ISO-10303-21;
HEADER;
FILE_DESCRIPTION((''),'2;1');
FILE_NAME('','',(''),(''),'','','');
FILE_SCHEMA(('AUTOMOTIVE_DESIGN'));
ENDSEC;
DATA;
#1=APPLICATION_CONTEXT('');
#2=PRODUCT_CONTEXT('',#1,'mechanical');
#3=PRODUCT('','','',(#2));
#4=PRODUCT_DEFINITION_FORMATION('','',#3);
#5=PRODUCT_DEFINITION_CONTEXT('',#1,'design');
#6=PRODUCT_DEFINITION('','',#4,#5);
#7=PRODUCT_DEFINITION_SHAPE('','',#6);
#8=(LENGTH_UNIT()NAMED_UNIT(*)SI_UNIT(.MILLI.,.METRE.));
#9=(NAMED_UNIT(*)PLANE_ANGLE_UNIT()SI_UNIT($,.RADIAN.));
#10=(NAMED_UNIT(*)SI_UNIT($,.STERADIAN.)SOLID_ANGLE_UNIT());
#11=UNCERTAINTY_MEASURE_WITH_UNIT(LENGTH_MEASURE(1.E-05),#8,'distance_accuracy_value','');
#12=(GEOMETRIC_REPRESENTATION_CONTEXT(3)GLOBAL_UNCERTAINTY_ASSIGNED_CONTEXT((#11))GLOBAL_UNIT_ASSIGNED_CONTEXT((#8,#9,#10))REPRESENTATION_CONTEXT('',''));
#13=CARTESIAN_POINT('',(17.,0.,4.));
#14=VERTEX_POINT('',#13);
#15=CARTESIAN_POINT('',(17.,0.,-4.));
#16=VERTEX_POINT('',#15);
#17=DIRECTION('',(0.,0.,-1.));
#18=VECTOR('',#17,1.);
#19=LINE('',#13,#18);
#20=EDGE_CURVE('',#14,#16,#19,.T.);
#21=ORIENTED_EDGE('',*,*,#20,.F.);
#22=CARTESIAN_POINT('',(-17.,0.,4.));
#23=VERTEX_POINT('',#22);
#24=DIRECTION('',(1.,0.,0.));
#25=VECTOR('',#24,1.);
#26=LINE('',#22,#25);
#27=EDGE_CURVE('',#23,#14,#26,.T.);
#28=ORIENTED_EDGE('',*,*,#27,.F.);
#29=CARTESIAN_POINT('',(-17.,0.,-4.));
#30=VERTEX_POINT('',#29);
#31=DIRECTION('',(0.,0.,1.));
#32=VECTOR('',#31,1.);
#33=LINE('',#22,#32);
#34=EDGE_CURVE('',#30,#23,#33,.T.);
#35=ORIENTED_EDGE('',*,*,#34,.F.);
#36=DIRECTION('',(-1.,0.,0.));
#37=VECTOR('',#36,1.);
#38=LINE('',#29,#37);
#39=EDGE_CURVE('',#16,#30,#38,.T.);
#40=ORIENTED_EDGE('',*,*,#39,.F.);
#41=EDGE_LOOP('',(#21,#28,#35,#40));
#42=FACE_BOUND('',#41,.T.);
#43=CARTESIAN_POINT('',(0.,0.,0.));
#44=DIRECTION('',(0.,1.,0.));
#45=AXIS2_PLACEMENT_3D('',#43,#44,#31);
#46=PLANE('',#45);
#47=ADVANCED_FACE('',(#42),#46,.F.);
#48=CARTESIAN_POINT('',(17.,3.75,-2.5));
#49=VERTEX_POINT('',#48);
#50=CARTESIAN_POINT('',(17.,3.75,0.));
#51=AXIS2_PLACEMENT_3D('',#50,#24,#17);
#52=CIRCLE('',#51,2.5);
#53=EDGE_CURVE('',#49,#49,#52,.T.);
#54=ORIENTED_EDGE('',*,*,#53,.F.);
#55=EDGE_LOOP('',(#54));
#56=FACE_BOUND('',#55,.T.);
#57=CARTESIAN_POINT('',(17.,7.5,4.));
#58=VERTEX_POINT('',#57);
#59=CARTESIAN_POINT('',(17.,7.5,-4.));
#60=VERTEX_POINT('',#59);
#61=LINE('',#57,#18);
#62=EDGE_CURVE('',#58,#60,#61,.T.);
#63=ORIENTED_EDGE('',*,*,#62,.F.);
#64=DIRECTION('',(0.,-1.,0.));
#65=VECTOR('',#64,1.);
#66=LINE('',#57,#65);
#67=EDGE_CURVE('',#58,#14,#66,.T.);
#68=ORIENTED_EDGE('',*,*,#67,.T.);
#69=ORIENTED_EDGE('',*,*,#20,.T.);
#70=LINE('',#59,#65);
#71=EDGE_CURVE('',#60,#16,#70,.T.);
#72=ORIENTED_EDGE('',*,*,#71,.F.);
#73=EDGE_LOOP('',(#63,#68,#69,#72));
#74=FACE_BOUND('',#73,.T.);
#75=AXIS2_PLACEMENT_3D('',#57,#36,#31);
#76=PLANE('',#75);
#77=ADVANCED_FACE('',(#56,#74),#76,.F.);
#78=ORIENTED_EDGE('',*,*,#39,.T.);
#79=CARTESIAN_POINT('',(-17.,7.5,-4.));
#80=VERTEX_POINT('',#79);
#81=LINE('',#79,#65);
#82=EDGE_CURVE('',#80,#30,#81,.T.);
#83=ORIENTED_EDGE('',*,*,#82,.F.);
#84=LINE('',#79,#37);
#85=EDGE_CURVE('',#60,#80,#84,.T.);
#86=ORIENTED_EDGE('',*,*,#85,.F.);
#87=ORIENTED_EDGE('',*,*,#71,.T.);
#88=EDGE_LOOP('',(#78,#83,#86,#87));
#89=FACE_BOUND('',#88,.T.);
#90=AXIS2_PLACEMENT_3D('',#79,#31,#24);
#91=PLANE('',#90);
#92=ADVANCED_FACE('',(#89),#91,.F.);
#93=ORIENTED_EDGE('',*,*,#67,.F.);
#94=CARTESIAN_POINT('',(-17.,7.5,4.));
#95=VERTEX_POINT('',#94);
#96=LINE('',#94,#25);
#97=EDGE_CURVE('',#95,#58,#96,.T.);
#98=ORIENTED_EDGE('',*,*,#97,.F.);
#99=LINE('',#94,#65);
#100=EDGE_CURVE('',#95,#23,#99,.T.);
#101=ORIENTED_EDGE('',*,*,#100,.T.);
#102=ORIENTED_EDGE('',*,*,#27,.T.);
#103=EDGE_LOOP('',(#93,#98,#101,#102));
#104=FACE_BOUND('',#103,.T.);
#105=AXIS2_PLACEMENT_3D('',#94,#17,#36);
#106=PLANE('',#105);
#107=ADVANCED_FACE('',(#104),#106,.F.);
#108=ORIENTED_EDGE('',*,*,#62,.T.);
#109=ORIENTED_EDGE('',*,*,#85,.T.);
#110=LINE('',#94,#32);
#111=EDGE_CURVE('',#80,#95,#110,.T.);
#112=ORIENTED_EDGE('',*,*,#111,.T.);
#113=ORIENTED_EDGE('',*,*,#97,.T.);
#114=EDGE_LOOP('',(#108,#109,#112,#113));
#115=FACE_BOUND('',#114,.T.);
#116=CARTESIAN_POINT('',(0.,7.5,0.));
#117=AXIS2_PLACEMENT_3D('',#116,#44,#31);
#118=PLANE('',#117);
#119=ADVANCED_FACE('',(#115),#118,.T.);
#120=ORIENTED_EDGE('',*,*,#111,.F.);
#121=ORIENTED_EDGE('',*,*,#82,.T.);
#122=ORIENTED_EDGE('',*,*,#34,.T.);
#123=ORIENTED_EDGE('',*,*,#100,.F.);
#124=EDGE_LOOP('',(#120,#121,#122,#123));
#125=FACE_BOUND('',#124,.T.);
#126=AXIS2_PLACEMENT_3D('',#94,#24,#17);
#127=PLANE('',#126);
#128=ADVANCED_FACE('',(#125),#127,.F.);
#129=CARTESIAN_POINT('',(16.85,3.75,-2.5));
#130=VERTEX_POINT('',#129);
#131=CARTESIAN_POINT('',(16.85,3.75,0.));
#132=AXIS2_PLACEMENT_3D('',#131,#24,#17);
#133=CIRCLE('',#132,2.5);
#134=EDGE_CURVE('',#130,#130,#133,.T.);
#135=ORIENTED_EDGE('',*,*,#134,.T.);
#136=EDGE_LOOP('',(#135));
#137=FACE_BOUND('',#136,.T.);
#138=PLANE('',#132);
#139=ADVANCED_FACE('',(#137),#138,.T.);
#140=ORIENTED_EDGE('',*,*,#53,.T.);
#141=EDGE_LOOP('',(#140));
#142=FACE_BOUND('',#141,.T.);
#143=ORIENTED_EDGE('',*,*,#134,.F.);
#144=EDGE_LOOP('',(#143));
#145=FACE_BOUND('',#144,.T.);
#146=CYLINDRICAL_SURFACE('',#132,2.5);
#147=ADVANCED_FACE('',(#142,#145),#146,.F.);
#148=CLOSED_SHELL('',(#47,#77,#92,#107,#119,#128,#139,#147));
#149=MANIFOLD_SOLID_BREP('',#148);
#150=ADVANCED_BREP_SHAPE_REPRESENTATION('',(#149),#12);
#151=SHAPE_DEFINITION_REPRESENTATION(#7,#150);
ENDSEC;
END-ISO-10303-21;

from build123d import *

# Parameters (mm, degrees)
CROQUIS1_W              = 34
CROQUIS1_H              = 8
SALIENTE_EXTRUIR1_DEPTH = 7.5
CROQUIS2_R              = 2.5
CORTAR_EXTRUIR1_DEPTH   = 0.15


with BuildPart() as part:
    # Croquis1 → Saliente-Extruir1 (new body)
    with BuildSketch(Plane(origin=(0, 0, 0), x_dir=(1, 0, 0), z_dir=(0, 1, 0))):
        Rectangle(CROQUIS1_W, CROQUIS1_H)
    extrude(amount=SALIENTE_EXTRUIR1_DEPTH)

    # Croquis2 → Cortar-Extruir1 (cut)
    with BuildSketch(Plane(origin=(17, 0, 0), x_dir=(0, 0, -1), z_dir=(1, 0, 0))):
        with Locations((0, 3.75)):
            Circle(CROQUIS2_R)
    extrude(amount=-CORTAR_EXTRUIR1_DEPTH, mode=Mode.SUBTRACT)


solid = part.part
